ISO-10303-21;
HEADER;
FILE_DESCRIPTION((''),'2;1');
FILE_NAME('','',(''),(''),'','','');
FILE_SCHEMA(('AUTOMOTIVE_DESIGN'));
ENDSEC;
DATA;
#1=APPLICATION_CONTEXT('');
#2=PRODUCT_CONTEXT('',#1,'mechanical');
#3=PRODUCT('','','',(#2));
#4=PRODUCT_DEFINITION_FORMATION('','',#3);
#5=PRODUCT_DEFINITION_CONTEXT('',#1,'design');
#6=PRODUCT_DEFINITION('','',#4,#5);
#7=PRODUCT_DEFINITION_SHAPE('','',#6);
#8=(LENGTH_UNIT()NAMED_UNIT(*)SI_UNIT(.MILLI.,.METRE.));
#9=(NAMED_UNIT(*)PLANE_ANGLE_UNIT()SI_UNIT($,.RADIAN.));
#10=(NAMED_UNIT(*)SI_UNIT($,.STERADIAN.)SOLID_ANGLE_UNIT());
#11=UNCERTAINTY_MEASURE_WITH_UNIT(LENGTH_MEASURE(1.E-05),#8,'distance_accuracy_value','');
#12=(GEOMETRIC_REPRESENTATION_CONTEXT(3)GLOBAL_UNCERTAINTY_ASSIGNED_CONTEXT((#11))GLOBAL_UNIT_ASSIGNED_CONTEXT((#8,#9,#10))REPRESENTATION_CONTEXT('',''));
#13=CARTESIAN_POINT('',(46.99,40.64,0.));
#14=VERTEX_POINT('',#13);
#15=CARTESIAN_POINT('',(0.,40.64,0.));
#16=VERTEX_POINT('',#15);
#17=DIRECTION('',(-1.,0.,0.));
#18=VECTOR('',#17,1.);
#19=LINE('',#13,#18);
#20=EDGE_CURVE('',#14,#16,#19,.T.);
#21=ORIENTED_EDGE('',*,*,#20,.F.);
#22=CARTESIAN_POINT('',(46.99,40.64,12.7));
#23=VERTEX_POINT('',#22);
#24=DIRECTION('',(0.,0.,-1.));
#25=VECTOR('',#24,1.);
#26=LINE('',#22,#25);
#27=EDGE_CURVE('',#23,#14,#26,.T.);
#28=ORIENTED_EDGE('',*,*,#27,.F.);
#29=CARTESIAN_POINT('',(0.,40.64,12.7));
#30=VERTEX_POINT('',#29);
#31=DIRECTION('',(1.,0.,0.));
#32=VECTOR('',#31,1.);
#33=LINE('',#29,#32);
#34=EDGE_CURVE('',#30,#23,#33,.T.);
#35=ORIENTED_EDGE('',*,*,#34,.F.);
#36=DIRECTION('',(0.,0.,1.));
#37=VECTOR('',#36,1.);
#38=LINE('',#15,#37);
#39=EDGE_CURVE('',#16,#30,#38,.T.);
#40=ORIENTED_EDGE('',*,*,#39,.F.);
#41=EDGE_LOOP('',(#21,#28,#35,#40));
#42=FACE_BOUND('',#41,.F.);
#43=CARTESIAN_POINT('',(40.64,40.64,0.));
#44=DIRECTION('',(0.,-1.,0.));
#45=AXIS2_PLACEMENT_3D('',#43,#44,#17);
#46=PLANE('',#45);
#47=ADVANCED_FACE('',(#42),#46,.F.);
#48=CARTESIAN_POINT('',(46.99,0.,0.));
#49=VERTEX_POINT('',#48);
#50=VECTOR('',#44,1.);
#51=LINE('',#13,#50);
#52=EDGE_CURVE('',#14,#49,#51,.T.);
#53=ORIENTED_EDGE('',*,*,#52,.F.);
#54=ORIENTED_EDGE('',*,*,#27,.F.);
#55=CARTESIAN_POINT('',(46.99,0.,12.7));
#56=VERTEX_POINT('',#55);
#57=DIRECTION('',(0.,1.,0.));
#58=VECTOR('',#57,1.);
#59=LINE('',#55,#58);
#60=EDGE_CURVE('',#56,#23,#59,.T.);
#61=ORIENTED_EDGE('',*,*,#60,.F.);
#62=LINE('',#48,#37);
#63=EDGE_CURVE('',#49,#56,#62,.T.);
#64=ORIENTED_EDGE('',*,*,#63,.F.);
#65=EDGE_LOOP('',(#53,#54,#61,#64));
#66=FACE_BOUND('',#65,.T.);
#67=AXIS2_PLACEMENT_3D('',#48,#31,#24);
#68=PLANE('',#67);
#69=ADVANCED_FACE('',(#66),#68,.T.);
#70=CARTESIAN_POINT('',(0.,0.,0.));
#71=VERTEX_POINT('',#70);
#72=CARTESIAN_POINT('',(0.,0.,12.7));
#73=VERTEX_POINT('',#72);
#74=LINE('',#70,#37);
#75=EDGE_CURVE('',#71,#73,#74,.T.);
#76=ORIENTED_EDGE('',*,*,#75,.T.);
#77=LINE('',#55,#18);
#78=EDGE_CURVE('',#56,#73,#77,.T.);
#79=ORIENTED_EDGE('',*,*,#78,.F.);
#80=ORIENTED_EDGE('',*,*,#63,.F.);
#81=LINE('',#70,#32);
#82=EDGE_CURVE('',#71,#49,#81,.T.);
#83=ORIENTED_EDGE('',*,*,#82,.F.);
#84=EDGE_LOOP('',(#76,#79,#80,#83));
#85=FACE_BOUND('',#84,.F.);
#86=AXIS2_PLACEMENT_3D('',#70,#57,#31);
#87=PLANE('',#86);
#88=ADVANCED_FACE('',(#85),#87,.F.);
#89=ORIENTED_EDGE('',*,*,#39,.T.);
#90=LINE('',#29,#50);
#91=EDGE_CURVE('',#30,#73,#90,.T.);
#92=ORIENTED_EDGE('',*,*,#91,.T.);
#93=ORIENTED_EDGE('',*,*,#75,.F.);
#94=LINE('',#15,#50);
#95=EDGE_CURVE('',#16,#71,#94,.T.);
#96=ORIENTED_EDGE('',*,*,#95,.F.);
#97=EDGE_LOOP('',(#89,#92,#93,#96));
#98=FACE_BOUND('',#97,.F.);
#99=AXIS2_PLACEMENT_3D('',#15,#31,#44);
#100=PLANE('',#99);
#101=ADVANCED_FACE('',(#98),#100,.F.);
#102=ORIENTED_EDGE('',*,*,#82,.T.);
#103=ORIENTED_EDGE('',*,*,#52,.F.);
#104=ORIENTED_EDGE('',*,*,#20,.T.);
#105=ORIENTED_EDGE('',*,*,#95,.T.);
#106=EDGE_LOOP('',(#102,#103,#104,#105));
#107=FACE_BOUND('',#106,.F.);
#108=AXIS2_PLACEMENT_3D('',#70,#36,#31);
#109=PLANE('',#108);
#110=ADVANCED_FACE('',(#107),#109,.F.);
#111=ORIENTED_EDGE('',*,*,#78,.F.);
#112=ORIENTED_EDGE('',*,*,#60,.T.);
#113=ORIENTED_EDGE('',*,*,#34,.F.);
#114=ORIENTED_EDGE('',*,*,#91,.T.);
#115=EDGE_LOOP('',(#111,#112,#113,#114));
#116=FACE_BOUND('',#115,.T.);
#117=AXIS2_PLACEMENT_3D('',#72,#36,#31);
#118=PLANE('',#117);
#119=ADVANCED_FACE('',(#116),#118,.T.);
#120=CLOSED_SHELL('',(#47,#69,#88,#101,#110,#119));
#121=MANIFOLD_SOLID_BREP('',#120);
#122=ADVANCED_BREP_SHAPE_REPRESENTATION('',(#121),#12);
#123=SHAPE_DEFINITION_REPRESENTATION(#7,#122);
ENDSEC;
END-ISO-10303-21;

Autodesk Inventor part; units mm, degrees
ref_plane "YZ Plane" through (0, 0, 0) normal (1, 0, 0) x (0, 1, 0)
ref_plane "XZ Plane" through (0, 0, 0) normal (0, 1, 0) x (-1, 0, 0)
ref_plane "XY Plane" through (0, 0, 0) normal (0, 0, 1) x (1, 0, 0)
sketch "Sketch1" plane through (0, 0, 0) normal (0, 0, 1) x (1, 0, 0)
  line L0 (0, 0) -> (40.64, 0)
  line L1 (40.64, 0) -> (40.64, 40.64)
  line L2 (40.64, 40.64) -> (0, 40.64)
  line L3 (0, 40.64) -> (0, 0)
  dimension "d0" = 40.64
  dimension "d1" = 40.64
extrude "Extrusion1" add sketch "Sketch1" along normal blind 12.7
sketch "Sketch2" plane through (40.64, 0, 0) normal (1, 0, 0) x (0, 0, -1)
  line L0 (-12.7, 0) -> (-12.7, 40.64) projected
  line L1 (0, 0) -> (-12.7, 0)
  line L2 (-12.7, 0) -> (-12.7, 40.64)
  line L3 (-12.7, 40.64) -> (0, 40.64)
  line L4 (0, 40.64) -> (0, 0)
extrude "Extrusion2" add sketch "Sketch2" along normal blind 6.35
properties part number "Spacer Sm"
